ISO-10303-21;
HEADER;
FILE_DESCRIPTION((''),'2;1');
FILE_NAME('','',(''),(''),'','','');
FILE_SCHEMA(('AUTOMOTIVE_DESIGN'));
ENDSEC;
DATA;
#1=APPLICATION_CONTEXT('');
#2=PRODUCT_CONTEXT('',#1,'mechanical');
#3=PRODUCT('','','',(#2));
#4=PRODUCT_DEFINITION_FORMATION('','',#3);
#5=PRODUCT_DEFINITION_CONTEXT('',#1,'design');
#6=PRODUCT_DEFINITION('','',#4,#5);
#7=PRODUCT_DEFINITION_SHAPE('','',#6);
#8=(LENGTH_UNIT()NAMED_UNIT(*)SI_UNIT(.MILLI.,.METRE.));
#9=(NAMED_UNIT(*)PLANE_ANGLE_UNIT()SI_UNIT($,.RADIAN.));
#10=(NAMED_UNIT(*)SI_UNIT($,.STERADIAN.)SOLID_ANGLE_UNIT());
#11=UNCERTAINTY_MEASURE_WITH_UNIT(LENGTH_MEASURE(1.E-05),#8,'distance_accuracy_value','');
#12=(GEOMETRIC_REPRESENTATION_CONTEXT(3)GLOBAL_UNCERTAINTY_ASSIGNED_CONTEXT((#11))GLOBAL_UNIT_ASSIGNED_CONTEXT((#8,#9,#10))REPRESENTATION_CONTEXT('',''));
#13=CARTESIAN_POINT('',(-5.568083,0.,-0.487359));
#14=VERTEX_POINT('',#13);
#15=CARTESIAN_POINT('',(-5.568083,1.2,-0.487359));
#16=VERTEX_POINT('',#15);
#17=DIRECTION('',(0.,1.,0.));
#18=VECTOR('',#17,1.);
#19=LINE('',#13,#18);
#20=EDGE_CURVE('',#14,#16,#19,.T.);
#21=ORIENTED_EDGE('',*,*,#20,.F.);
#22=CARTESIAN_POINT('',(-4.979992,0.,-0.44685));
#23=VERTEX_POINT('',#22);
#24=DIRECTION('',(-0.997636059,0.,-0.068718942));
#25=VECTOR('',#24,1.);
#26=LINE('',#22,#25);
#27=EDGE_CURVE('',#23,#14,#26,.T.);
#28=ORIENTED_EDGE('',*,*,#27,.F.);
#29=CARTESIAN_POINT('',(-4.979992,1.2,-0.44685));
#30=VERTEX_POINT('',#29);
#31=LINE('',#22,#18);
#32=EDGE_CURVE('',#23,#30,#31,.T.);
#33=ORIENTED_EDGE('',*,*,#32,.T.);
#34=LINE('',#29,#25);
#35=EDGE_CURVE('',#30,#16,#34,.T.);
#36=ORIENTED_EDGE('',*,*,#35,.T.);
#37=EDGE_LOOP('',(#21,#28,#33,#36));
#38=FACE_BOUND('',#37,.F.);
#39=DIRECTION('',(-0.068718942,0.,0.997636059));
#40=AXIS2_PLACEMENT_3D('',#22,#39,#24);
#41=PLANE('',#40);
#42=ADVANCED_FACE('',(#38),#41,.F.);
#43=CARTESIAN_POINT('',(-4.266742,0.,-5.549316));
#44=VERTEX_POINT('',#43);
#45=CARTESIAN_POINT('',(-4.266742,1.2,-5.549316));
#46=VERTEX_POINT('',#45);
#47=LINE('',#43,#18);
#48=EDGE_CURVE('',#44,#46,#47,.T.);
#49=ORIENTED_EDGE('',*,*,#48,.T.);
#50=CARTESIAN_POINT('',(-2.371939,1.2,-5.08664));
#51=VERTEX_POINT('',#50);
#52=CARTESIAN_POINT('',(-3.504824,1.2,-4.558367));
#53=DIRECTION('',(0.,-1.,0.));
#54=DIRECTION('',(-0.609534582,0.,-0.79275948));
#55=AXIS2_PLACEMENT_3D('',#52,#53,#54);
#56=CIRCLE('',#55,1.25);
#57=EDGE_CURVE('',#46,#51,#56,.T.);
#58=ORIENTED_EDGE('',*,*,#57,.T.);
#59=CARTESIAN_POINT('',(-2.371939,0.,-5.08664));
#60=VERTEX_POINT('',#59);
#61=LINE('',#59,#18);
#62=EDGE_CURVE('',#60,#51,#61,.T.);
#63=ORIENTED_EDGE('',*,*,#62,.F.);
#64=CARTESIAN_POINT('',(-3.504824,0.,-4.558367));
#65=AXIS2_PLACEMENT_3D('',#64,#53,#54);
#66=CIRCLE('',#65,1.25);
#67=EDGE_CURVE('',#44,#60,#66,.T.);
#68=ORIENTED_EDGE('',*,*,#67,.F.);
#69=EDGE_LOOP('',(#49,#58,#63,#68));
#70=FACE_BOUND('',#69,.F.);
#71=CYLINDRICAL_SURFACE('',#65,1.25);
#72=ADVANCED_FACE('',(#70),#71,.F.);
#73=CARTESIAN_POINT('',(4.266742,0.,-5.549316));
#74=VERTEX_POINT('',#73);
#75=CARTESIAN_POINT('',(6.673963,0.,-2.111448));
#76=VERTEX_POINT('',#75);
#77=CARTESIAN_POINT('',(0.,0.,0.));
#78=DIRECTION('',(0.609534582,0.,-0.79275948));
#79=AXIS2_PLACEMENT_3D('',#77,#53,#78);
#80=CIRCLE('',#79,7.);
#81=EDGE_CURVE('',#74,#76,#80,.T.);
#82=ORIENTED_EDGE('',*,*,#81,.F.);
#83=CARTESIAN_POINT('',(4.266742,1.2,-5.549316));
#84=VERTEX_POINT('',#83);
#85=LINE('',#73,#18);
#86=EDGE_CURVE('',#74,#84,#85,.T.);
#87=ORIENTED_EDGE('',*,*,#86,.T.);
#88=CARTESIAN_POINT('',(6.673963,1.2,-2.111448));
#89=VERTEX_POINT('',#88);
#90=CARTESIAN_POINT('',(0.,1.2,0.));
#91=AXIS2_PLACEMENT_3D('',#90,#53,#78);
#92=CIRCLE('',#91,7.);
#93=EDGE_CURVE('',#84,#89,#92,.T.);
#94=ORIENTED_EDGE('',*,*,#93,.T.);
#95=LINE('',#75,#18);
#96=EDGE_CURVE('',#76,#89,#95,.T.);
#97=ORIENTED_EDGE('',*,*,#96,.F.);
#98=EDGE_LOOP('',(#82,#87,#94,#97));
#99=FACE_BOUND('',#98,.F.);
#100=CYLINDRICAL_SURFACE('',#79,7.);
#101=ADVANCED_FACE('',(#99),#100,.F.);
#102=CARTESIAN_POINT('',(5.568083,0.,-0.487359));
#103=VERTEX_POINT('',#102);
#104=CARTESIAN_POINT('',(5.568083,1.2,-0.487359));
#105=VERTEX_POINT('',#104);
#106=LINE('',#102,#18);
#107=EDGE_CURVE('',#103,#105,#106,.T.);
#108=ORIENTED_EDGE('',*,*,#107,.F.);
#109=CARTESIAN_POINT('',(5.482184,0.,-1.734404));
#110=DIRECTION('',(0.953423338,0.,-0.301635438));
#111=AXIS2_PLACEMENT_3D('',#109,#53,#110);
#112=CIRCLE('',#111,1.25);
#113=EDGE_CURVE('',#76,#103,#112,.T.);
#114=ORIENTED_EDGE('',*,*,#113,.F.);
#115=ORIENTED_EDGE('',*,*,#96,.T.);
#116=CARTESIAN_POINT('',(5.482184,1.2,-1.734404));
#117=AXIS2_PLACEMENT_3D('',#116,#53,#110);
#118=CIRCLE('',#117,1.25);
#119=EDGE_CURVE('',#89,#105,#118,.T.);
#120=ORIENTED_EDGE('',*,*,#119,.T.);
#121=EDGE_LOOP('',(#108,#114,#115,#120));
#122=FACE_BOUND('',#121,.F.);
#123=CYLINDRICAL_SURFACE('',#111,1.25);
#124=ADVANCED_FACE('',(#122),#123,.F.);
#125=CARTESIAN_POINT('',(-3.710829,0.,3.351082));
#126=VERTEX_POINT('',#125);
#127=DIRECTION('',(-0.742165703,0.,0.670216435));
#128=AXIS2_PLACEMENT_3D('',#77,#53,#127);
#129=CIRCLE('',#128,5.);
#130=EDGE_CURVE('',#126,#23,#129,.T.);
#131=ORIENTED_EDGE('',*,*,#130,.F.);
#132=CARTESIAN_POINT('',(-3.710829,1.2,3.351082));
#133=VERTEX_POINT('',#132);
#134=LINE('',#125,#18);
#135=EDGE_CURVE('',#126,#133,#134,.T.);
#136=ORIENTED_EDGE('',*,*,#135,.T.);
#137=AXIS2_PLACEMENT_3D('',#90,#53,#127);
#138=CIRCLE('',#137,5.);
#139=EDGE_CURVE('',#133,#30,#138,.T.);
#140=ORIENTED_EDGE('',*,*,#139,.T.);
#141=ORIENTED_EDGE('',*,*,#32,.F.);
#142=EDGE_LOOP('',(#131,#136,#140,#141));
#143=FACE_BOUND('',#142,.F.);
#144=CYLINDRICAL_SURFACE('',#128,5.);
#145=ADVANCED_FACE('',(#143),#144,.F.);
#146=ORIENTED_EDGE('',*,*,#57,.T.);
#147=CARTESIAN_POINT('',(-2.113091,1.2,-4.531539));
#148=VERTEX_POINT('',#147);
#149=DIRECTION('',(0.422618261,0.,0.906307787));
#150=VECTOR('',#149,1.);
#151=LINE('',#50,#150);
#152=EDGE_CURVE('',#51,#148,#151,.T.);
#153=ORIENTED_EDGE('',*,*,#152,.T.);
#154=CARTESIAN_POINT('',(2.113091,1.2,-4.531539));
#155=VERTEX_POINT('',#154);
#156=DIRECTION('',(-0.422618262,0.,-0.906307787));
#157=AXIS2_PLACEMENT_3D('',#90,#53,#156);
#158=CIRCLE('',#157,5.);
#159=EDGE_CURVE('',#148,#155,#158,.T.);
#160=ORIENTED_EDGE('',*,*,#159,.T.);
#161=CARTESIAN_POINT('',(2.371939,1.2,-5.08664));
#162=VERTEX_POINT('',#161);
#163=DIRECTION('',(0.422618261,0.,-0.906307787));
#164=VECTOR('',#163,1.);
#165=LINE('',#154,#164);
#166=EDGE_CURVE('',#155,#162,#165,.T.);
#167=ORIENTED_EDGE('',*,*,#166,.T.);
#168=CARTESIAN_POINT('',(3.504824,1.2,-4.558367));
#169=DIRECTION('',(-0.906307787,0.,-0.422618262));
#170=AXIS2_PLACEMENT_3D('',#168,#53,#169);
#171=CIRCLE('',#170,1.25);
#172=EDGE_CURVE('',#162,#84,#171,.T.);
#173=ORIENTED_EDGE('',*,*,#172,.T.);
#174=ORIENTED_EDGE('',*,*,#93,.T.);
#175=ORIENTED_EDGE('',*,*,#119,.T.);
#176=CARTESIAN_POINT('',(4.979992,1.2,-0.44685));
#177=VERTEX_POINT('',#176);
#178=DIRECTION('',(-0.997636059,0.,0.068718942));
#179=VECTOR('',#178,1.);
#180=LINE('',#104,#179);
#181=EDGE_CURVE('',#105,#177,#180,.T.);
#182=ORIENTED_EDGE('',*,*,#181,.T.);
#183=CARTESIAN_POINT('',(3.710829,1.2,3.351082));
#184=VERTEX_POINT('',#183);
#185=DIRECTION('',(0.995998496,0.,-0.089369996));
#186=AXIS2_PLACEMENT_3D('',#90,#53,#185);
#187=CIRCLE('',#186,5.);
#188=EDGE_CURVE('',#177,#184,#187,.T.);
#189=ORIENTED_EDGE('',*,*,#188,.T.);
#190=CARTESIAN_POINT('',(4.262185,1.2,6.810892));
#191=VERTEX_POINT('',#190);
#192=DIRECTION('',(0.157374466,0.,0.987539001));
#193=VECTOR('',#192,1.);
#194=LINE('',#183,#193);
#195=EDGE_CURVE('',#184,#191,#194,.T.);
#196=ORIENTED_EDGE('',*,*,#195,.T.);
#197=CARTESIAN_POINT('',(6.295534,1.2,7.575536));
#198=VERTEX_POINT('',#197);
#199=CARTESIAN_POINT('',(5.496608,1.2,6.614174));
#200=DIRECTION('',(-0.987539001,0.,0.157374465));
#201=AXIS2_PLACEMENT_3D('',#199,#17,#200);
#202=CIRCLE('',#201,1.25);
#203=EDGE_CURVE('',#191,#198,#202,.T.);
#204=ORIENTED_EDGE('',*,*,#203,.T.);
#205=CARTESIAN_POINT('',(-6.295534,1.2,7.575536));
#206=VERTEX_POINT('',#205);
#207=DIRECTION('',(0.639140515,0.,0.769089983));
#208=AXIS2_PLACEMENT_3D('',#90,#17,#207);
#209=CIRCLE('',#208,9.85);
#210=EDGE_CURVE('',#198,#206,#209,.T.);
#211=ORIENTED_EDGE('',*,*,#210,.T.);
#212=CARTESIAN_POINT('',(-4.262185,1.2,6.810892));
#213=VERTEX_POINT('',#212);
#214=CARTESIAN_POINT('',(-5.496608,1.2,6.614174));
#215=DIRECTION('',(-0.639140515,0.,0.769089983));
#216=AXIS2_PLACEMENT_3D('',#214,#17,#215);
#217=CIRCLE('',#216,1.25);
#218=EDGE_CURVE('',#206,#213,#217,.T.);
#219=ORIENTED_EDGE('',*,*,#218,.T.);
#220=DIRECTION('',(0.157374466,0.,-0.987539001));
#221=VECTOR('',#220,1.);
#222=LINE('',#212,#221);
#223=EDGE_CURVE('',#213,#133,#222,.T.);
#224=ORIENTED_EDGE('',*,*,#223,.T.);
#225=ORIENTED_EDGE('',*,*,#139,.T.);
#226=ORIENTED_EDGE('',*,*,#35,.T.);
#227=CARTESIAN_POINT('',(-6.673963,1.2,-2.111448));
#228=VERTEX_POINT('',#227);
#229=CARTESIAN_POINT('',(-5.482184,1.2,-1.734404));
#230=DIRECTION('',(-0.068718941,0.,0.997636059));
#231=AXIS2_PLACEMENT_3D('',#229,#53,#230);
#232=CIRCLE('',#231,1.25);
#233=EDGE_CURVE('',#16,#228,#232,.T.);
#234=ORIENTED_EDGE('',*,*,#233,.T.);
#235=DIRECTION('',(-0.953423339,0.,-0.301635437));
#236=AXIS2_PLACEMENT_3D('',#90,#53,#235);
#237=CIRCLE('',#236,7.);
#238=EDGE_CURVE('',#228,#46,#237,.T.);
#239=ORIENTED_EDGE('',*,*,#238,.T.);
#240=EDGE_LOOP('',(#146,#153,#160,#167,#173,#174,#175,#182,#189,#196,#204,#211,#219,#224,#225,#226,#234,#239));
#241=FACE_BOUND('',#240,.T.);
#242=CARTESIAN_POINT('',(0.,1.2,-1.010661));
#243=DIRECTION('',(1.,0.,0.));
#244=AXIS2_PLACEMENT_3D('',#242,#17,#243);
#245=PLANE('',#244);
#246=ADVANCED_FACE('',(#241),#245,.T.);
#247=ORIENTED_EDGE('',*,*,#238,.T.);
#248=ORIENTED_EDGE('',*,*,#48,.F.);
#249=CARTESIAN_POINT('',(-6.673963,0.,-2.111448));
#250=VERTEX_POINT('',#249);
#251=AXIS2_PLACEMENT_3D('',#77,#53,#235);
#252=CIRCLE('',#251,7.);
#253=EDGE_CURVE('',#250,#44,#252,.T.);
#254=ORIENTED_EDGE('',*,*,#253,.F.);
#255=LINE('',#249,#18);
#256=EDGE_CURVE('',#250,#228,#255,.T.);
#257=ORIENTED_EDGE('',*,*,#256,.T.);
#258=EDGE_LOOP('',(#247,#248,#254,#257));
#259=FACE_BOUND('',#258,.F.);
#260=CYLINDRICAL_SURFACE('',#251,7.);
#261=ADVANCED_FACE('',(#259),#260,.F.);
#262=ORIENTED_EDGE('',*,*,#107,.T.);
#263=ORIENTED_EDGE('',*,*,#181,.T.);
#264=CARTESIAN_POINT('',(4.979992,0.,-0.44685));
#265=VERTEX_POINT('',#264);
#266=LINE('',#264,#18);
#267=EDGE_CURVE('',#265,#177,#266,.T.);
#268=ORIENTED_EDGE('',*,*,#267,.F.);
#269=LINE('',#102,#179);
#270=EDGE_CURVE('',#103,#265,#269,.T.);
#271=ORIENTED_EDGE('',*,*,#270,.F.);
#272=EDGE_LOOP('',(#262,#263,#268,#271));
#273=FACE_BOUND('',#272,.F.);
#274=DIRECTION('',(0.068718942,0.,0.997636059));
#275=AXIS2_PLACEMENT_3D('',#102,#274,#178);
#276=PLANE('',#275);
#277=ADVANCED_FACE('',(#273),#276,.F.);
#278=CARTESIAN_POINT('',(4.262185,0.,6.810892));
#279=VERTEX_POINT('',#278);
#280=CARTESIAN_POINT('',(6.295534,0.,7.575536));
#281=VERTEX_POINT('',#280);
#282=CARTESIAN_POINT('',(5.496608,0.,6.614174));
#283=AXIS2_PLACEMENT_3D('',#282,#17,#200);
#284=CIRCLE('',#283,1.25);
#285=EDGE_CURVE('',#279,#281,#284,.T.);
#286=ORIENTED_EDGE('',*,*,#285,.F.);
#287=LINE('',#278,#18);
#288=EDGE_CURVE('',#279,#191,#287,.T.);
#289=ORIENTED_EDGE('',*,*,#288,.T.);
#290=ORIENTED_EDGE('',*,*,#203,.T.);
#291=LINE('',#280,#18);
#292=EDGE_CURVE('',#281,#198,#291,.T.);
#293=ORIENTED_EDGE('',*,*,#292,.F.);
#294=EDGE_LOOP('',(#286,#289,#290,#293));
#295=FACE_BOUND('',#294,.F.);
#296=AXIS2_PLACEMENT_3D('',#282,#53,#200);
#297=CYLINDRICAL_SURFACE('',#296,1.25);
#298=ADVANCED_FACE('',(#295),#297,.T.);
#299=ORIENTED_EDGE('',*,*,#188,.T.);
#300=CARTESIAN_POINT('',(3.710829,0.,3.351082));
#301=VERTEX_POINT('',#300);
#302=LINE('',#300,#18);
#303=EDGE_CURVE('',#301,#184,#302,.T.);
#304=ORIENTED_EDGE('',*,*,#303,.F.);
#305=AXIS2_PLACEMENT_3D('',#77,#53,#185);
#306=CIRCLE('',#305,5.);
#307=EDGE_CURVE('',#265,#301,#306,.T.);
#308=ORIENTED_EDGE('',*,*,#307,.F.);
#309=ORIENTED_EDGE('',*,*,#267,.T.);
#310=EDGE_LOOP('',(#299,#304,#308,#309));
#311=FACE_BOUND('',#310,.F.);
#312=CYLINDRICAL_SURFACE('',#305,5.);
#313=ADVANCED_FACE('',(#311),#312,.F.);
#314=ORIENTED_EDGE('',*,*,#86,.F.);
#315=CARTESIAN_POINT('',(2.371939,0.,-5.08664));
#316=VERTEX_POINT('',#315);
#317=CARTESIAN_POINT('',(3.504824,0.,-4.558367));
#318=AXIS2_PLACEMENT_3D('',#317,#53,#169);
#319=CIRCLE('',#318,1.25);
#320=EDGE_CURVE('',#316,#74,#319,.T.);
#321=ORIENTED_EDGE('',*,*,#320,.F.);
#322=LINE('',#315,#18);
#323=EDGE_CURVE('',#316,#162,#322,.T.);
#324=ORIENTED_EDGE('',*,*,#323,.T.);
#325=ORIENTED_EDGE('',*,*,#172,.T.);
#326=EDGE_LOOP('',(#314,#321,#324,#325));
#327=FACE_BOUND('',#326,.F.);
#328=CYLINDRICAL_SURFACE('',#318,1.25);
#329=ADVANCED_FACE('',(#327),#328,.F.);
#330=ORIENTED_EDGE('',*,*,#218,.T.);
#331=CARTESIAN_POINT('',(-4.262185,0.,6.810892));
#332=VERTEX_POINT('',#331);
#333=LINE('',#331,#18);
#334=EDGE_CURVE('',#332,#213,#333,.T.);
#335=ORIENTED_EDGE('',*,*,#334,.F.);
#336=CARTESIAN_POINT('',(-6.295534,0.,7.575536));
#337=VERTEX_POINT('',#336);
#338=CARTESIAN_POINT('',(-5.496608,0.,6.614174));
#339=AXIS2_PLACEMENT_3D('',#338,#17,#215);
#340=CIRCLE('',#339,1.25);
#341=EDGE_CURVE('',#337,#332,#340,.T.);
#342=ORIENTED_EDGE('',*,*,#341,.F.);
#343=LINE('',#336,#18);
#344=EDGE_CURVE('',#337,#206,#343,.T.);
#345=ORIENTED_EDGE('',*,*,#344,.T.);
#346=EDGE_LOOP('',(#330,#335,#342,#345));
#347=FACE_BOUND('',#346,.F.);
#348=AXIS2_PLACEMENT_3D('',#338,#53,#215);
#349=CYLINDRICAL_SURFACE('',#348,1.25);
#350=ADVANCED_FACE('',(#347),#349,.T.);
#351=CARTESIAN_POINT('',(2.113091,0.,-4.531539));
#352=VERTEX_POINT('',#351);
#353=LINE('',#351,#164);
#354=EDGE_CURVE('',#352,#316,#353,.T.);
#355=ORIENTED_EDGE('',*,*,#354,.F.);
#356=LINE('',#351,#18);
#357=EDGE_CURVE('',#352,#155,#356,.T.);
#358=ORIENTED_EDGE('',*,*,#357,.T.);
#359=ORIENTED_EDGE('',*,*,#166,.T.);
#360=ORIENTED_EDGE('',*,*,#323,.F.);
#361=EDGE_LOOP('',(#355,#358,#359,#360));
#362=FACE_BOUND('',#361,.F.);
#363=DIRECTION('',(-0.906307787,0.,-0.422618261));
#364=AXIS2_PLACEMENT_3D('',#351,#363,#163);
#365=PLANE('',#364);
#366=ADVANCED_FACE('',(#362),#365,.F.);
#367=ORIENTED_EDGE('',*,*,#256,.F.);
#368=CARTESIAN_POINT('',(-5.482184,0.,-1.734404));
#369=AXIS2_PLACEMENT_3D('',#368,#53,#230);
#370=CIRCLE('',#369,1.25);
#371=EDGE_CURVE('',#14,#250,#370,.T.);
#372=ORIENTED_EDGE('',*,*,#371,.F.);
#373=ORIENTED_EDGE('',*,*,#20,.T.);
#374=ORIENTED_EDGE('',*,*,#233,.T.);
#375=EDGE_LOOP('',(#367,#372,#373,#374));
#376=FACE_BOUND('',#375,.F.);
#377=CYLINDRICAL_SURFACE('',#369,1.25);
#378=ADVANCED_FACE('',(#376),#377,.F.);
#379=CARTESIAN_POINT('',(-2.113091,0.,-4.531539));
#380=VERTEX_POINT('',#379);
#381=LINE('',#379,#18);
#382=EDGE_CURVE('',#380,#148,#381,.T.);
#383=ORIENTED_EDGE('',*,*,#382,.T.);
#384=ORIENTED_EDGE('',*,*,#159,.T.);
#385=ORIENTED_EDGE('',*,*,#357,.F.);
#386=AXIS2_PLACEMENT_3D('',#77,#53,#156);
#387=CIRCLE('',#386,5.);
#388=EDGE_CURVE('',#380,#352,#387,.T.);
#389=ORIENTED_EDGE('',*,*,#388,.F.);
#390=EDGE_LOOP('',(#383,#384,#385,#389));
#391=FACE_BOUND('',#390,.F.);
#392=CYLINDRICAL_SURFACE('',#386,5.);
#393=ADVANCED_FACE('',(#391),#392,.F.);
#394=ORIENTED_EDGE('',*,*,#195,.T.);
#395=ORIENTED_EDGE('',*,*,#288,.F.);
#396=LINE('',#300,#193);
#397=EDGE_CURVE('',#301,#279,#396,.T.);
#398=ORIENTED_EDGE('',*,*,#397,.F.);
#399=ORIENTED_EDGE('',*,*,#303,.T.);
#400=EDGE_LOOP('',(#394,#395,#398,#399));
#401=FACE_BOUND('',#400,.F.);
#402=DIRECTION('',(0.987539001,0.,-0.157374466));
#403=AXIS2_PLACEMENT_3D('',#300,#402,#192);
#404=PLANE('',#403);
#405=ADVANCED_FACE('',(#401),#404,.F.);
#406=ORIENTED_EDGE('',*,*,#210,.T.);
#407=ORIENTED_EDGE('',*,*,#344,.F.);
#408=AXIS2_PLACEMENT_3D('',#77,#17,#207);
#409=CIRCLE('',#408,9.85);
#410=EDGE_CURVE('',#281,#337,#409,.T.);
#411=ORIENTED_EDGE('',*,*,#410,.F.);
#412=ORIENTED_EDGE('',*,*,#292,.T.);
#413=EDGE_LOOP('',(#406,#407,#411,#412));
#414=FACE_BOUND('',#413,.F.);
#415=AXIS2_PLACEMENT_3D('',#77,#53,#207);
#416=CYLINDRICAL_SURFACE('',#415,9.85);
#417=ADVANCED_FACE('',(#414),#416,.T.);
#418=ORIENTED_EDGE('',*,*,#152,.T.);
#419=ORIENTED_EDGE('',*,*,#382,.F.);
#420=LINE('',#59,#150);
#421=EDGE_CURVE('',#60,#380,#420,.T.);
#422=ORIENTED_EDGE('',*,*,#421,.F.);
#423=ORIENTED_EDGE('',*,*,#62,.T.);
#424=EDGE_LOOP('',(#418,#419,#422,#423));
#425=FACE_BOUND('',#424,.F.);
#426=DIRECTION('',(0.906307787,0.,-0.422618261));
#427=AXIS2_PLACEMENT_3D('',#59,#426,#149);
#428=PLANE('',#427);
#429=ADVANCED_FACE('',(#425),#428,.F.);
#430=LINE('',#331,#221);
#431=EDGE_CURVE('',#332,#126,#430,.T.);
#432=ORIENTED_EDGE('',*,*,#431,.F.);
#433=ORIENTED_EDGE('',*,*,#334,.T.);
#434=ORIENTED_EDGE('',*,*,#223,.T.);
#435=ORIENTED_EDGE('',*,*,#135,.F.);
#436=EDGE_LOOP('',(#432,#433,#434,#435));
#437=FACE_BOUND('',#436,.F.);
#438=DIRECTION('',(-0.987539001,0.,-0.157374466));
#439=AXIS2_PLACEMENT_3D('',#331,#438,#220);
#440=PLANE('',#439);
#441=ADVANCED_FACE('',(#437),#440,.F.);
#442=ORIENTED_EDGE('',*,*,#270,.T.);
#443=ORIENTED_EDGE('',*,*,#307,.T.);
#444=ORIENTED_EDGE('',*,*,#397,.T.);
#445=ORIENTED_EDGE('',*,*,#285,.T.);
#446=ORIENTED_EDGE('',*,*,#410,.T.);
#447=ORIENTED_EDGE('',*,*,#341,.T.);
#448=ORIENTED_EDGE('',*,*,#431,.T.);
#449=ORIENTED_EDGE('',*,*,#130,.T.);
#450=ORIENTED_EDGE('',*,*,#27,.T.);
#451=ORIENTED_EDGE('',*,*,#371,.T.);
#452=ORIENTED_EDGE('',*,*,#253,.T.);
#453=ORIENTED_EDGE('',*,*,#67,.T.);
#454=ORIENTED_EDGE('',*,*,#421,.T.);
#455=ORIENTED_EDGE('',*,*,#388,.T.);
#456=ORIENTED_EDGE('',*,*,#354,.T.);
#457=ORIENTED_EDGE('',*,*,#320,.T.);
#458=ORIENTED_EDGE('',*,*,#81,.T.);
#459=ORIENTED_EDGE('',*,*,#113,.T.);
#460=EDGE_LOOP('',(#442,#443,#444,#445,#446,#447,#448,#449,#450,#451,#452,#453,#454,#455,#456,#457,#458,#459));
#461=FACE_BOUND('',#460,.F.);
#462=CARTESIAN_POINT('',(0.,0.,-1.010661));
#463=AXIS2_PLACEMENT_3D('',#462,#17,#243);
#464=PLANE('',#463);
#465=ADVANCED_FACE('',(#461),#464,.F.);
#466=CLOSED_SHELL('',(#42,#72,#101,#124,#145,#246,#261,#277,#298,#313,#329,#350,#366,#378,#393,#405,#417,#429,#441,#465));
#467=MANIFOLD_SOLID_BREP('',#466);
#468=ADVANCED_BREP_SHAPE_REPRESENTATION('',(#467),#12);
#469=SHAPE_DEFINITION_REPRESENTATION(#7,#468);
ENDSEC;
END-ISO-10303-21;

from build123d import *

# Parameters (mm, degrees)
EXTRUDE1_DEPTH = 1.2


with BuildPart() as part:
    # Sketch1 → Extrude1 (new body)
    with BuildSketch(Plane(origin=(0, 0, 0), x_dir=(1, 0, 0), z_dir=(0, 1, 0))):
        with BuildLine():
            Line((2.113091309, 4.531538935), (2.371939111, 5.086639839))
            ThreePointArc((2.371939111, 5.086639839), (3.208308367, 5.77268928), (4.266742072, 5.549316362))
            ThreePointArc((4.266742072, 5.549316362), (5.73406431, 4.015035054), (6.673963371, 2.111448062))
            ThreePointArc((6.673963371, 2.111448062), (6.515398476, 1.030863961), (5.568082875, 0.487358691))
            Line((5.568082875, 0.487358691), (4.979992479, 0.446849981))
            ThreePointArc((4.979992479, 0.446849981), (4.742221478, -1.58471936), (3.710828514, -3.351082175))
            Line((3.710828514, -3.351082175), (4.262184676, -6.810891939))
            ThreePointArc((4.262184676, -6.810891939), (5.05662557, -7.784180304), (6.29553407, -7.575536336))
            ThreePointArc((6.29553407, -7.575536336), (0, 9.85), (-6.29553407, -7.575536336))
            ThreePointArc((-6.29553407, -7.575536336), (-5.05662557, -7.784180304), (-4.262184676, -6.810891939))
            Line((-4.262184676, -6.810891939), (-3.710828514, -3.351082175))
            ThreePointArc((-3.710828514, -3.351082175), (-4.742221478, -1.58471936), (-4.979992479, 0.446849981))
            Line((-4.979992479, 0.446849981), (-5.568082875, 0.487358691))
            ThreePointArc((-5.568082875, 0.487358691), (-6.515398476, 1.030863961), (-6.673963371, 2.111448062))
            ThreePointArc((-6.673963371, 2.111448062), (-5.73406431, 4.015035054), (-4.266742072, 5.549316362))
            ThreePointArc((-4.266742072, 5.549316362), (-3.208308367, 5.77268928), (-2.371939111, 5.086639839))
            Line((-2.371939111, 5.086639839), (-2.113091309, 4.531538935))
            ThreePointArc((-2.113091309, 4.531538935), (0, 5), (2.113091309, 4.531538935))
        make_face()
    extrude(amount=EXTRUDE1_DEPTH)


solid = part.part
